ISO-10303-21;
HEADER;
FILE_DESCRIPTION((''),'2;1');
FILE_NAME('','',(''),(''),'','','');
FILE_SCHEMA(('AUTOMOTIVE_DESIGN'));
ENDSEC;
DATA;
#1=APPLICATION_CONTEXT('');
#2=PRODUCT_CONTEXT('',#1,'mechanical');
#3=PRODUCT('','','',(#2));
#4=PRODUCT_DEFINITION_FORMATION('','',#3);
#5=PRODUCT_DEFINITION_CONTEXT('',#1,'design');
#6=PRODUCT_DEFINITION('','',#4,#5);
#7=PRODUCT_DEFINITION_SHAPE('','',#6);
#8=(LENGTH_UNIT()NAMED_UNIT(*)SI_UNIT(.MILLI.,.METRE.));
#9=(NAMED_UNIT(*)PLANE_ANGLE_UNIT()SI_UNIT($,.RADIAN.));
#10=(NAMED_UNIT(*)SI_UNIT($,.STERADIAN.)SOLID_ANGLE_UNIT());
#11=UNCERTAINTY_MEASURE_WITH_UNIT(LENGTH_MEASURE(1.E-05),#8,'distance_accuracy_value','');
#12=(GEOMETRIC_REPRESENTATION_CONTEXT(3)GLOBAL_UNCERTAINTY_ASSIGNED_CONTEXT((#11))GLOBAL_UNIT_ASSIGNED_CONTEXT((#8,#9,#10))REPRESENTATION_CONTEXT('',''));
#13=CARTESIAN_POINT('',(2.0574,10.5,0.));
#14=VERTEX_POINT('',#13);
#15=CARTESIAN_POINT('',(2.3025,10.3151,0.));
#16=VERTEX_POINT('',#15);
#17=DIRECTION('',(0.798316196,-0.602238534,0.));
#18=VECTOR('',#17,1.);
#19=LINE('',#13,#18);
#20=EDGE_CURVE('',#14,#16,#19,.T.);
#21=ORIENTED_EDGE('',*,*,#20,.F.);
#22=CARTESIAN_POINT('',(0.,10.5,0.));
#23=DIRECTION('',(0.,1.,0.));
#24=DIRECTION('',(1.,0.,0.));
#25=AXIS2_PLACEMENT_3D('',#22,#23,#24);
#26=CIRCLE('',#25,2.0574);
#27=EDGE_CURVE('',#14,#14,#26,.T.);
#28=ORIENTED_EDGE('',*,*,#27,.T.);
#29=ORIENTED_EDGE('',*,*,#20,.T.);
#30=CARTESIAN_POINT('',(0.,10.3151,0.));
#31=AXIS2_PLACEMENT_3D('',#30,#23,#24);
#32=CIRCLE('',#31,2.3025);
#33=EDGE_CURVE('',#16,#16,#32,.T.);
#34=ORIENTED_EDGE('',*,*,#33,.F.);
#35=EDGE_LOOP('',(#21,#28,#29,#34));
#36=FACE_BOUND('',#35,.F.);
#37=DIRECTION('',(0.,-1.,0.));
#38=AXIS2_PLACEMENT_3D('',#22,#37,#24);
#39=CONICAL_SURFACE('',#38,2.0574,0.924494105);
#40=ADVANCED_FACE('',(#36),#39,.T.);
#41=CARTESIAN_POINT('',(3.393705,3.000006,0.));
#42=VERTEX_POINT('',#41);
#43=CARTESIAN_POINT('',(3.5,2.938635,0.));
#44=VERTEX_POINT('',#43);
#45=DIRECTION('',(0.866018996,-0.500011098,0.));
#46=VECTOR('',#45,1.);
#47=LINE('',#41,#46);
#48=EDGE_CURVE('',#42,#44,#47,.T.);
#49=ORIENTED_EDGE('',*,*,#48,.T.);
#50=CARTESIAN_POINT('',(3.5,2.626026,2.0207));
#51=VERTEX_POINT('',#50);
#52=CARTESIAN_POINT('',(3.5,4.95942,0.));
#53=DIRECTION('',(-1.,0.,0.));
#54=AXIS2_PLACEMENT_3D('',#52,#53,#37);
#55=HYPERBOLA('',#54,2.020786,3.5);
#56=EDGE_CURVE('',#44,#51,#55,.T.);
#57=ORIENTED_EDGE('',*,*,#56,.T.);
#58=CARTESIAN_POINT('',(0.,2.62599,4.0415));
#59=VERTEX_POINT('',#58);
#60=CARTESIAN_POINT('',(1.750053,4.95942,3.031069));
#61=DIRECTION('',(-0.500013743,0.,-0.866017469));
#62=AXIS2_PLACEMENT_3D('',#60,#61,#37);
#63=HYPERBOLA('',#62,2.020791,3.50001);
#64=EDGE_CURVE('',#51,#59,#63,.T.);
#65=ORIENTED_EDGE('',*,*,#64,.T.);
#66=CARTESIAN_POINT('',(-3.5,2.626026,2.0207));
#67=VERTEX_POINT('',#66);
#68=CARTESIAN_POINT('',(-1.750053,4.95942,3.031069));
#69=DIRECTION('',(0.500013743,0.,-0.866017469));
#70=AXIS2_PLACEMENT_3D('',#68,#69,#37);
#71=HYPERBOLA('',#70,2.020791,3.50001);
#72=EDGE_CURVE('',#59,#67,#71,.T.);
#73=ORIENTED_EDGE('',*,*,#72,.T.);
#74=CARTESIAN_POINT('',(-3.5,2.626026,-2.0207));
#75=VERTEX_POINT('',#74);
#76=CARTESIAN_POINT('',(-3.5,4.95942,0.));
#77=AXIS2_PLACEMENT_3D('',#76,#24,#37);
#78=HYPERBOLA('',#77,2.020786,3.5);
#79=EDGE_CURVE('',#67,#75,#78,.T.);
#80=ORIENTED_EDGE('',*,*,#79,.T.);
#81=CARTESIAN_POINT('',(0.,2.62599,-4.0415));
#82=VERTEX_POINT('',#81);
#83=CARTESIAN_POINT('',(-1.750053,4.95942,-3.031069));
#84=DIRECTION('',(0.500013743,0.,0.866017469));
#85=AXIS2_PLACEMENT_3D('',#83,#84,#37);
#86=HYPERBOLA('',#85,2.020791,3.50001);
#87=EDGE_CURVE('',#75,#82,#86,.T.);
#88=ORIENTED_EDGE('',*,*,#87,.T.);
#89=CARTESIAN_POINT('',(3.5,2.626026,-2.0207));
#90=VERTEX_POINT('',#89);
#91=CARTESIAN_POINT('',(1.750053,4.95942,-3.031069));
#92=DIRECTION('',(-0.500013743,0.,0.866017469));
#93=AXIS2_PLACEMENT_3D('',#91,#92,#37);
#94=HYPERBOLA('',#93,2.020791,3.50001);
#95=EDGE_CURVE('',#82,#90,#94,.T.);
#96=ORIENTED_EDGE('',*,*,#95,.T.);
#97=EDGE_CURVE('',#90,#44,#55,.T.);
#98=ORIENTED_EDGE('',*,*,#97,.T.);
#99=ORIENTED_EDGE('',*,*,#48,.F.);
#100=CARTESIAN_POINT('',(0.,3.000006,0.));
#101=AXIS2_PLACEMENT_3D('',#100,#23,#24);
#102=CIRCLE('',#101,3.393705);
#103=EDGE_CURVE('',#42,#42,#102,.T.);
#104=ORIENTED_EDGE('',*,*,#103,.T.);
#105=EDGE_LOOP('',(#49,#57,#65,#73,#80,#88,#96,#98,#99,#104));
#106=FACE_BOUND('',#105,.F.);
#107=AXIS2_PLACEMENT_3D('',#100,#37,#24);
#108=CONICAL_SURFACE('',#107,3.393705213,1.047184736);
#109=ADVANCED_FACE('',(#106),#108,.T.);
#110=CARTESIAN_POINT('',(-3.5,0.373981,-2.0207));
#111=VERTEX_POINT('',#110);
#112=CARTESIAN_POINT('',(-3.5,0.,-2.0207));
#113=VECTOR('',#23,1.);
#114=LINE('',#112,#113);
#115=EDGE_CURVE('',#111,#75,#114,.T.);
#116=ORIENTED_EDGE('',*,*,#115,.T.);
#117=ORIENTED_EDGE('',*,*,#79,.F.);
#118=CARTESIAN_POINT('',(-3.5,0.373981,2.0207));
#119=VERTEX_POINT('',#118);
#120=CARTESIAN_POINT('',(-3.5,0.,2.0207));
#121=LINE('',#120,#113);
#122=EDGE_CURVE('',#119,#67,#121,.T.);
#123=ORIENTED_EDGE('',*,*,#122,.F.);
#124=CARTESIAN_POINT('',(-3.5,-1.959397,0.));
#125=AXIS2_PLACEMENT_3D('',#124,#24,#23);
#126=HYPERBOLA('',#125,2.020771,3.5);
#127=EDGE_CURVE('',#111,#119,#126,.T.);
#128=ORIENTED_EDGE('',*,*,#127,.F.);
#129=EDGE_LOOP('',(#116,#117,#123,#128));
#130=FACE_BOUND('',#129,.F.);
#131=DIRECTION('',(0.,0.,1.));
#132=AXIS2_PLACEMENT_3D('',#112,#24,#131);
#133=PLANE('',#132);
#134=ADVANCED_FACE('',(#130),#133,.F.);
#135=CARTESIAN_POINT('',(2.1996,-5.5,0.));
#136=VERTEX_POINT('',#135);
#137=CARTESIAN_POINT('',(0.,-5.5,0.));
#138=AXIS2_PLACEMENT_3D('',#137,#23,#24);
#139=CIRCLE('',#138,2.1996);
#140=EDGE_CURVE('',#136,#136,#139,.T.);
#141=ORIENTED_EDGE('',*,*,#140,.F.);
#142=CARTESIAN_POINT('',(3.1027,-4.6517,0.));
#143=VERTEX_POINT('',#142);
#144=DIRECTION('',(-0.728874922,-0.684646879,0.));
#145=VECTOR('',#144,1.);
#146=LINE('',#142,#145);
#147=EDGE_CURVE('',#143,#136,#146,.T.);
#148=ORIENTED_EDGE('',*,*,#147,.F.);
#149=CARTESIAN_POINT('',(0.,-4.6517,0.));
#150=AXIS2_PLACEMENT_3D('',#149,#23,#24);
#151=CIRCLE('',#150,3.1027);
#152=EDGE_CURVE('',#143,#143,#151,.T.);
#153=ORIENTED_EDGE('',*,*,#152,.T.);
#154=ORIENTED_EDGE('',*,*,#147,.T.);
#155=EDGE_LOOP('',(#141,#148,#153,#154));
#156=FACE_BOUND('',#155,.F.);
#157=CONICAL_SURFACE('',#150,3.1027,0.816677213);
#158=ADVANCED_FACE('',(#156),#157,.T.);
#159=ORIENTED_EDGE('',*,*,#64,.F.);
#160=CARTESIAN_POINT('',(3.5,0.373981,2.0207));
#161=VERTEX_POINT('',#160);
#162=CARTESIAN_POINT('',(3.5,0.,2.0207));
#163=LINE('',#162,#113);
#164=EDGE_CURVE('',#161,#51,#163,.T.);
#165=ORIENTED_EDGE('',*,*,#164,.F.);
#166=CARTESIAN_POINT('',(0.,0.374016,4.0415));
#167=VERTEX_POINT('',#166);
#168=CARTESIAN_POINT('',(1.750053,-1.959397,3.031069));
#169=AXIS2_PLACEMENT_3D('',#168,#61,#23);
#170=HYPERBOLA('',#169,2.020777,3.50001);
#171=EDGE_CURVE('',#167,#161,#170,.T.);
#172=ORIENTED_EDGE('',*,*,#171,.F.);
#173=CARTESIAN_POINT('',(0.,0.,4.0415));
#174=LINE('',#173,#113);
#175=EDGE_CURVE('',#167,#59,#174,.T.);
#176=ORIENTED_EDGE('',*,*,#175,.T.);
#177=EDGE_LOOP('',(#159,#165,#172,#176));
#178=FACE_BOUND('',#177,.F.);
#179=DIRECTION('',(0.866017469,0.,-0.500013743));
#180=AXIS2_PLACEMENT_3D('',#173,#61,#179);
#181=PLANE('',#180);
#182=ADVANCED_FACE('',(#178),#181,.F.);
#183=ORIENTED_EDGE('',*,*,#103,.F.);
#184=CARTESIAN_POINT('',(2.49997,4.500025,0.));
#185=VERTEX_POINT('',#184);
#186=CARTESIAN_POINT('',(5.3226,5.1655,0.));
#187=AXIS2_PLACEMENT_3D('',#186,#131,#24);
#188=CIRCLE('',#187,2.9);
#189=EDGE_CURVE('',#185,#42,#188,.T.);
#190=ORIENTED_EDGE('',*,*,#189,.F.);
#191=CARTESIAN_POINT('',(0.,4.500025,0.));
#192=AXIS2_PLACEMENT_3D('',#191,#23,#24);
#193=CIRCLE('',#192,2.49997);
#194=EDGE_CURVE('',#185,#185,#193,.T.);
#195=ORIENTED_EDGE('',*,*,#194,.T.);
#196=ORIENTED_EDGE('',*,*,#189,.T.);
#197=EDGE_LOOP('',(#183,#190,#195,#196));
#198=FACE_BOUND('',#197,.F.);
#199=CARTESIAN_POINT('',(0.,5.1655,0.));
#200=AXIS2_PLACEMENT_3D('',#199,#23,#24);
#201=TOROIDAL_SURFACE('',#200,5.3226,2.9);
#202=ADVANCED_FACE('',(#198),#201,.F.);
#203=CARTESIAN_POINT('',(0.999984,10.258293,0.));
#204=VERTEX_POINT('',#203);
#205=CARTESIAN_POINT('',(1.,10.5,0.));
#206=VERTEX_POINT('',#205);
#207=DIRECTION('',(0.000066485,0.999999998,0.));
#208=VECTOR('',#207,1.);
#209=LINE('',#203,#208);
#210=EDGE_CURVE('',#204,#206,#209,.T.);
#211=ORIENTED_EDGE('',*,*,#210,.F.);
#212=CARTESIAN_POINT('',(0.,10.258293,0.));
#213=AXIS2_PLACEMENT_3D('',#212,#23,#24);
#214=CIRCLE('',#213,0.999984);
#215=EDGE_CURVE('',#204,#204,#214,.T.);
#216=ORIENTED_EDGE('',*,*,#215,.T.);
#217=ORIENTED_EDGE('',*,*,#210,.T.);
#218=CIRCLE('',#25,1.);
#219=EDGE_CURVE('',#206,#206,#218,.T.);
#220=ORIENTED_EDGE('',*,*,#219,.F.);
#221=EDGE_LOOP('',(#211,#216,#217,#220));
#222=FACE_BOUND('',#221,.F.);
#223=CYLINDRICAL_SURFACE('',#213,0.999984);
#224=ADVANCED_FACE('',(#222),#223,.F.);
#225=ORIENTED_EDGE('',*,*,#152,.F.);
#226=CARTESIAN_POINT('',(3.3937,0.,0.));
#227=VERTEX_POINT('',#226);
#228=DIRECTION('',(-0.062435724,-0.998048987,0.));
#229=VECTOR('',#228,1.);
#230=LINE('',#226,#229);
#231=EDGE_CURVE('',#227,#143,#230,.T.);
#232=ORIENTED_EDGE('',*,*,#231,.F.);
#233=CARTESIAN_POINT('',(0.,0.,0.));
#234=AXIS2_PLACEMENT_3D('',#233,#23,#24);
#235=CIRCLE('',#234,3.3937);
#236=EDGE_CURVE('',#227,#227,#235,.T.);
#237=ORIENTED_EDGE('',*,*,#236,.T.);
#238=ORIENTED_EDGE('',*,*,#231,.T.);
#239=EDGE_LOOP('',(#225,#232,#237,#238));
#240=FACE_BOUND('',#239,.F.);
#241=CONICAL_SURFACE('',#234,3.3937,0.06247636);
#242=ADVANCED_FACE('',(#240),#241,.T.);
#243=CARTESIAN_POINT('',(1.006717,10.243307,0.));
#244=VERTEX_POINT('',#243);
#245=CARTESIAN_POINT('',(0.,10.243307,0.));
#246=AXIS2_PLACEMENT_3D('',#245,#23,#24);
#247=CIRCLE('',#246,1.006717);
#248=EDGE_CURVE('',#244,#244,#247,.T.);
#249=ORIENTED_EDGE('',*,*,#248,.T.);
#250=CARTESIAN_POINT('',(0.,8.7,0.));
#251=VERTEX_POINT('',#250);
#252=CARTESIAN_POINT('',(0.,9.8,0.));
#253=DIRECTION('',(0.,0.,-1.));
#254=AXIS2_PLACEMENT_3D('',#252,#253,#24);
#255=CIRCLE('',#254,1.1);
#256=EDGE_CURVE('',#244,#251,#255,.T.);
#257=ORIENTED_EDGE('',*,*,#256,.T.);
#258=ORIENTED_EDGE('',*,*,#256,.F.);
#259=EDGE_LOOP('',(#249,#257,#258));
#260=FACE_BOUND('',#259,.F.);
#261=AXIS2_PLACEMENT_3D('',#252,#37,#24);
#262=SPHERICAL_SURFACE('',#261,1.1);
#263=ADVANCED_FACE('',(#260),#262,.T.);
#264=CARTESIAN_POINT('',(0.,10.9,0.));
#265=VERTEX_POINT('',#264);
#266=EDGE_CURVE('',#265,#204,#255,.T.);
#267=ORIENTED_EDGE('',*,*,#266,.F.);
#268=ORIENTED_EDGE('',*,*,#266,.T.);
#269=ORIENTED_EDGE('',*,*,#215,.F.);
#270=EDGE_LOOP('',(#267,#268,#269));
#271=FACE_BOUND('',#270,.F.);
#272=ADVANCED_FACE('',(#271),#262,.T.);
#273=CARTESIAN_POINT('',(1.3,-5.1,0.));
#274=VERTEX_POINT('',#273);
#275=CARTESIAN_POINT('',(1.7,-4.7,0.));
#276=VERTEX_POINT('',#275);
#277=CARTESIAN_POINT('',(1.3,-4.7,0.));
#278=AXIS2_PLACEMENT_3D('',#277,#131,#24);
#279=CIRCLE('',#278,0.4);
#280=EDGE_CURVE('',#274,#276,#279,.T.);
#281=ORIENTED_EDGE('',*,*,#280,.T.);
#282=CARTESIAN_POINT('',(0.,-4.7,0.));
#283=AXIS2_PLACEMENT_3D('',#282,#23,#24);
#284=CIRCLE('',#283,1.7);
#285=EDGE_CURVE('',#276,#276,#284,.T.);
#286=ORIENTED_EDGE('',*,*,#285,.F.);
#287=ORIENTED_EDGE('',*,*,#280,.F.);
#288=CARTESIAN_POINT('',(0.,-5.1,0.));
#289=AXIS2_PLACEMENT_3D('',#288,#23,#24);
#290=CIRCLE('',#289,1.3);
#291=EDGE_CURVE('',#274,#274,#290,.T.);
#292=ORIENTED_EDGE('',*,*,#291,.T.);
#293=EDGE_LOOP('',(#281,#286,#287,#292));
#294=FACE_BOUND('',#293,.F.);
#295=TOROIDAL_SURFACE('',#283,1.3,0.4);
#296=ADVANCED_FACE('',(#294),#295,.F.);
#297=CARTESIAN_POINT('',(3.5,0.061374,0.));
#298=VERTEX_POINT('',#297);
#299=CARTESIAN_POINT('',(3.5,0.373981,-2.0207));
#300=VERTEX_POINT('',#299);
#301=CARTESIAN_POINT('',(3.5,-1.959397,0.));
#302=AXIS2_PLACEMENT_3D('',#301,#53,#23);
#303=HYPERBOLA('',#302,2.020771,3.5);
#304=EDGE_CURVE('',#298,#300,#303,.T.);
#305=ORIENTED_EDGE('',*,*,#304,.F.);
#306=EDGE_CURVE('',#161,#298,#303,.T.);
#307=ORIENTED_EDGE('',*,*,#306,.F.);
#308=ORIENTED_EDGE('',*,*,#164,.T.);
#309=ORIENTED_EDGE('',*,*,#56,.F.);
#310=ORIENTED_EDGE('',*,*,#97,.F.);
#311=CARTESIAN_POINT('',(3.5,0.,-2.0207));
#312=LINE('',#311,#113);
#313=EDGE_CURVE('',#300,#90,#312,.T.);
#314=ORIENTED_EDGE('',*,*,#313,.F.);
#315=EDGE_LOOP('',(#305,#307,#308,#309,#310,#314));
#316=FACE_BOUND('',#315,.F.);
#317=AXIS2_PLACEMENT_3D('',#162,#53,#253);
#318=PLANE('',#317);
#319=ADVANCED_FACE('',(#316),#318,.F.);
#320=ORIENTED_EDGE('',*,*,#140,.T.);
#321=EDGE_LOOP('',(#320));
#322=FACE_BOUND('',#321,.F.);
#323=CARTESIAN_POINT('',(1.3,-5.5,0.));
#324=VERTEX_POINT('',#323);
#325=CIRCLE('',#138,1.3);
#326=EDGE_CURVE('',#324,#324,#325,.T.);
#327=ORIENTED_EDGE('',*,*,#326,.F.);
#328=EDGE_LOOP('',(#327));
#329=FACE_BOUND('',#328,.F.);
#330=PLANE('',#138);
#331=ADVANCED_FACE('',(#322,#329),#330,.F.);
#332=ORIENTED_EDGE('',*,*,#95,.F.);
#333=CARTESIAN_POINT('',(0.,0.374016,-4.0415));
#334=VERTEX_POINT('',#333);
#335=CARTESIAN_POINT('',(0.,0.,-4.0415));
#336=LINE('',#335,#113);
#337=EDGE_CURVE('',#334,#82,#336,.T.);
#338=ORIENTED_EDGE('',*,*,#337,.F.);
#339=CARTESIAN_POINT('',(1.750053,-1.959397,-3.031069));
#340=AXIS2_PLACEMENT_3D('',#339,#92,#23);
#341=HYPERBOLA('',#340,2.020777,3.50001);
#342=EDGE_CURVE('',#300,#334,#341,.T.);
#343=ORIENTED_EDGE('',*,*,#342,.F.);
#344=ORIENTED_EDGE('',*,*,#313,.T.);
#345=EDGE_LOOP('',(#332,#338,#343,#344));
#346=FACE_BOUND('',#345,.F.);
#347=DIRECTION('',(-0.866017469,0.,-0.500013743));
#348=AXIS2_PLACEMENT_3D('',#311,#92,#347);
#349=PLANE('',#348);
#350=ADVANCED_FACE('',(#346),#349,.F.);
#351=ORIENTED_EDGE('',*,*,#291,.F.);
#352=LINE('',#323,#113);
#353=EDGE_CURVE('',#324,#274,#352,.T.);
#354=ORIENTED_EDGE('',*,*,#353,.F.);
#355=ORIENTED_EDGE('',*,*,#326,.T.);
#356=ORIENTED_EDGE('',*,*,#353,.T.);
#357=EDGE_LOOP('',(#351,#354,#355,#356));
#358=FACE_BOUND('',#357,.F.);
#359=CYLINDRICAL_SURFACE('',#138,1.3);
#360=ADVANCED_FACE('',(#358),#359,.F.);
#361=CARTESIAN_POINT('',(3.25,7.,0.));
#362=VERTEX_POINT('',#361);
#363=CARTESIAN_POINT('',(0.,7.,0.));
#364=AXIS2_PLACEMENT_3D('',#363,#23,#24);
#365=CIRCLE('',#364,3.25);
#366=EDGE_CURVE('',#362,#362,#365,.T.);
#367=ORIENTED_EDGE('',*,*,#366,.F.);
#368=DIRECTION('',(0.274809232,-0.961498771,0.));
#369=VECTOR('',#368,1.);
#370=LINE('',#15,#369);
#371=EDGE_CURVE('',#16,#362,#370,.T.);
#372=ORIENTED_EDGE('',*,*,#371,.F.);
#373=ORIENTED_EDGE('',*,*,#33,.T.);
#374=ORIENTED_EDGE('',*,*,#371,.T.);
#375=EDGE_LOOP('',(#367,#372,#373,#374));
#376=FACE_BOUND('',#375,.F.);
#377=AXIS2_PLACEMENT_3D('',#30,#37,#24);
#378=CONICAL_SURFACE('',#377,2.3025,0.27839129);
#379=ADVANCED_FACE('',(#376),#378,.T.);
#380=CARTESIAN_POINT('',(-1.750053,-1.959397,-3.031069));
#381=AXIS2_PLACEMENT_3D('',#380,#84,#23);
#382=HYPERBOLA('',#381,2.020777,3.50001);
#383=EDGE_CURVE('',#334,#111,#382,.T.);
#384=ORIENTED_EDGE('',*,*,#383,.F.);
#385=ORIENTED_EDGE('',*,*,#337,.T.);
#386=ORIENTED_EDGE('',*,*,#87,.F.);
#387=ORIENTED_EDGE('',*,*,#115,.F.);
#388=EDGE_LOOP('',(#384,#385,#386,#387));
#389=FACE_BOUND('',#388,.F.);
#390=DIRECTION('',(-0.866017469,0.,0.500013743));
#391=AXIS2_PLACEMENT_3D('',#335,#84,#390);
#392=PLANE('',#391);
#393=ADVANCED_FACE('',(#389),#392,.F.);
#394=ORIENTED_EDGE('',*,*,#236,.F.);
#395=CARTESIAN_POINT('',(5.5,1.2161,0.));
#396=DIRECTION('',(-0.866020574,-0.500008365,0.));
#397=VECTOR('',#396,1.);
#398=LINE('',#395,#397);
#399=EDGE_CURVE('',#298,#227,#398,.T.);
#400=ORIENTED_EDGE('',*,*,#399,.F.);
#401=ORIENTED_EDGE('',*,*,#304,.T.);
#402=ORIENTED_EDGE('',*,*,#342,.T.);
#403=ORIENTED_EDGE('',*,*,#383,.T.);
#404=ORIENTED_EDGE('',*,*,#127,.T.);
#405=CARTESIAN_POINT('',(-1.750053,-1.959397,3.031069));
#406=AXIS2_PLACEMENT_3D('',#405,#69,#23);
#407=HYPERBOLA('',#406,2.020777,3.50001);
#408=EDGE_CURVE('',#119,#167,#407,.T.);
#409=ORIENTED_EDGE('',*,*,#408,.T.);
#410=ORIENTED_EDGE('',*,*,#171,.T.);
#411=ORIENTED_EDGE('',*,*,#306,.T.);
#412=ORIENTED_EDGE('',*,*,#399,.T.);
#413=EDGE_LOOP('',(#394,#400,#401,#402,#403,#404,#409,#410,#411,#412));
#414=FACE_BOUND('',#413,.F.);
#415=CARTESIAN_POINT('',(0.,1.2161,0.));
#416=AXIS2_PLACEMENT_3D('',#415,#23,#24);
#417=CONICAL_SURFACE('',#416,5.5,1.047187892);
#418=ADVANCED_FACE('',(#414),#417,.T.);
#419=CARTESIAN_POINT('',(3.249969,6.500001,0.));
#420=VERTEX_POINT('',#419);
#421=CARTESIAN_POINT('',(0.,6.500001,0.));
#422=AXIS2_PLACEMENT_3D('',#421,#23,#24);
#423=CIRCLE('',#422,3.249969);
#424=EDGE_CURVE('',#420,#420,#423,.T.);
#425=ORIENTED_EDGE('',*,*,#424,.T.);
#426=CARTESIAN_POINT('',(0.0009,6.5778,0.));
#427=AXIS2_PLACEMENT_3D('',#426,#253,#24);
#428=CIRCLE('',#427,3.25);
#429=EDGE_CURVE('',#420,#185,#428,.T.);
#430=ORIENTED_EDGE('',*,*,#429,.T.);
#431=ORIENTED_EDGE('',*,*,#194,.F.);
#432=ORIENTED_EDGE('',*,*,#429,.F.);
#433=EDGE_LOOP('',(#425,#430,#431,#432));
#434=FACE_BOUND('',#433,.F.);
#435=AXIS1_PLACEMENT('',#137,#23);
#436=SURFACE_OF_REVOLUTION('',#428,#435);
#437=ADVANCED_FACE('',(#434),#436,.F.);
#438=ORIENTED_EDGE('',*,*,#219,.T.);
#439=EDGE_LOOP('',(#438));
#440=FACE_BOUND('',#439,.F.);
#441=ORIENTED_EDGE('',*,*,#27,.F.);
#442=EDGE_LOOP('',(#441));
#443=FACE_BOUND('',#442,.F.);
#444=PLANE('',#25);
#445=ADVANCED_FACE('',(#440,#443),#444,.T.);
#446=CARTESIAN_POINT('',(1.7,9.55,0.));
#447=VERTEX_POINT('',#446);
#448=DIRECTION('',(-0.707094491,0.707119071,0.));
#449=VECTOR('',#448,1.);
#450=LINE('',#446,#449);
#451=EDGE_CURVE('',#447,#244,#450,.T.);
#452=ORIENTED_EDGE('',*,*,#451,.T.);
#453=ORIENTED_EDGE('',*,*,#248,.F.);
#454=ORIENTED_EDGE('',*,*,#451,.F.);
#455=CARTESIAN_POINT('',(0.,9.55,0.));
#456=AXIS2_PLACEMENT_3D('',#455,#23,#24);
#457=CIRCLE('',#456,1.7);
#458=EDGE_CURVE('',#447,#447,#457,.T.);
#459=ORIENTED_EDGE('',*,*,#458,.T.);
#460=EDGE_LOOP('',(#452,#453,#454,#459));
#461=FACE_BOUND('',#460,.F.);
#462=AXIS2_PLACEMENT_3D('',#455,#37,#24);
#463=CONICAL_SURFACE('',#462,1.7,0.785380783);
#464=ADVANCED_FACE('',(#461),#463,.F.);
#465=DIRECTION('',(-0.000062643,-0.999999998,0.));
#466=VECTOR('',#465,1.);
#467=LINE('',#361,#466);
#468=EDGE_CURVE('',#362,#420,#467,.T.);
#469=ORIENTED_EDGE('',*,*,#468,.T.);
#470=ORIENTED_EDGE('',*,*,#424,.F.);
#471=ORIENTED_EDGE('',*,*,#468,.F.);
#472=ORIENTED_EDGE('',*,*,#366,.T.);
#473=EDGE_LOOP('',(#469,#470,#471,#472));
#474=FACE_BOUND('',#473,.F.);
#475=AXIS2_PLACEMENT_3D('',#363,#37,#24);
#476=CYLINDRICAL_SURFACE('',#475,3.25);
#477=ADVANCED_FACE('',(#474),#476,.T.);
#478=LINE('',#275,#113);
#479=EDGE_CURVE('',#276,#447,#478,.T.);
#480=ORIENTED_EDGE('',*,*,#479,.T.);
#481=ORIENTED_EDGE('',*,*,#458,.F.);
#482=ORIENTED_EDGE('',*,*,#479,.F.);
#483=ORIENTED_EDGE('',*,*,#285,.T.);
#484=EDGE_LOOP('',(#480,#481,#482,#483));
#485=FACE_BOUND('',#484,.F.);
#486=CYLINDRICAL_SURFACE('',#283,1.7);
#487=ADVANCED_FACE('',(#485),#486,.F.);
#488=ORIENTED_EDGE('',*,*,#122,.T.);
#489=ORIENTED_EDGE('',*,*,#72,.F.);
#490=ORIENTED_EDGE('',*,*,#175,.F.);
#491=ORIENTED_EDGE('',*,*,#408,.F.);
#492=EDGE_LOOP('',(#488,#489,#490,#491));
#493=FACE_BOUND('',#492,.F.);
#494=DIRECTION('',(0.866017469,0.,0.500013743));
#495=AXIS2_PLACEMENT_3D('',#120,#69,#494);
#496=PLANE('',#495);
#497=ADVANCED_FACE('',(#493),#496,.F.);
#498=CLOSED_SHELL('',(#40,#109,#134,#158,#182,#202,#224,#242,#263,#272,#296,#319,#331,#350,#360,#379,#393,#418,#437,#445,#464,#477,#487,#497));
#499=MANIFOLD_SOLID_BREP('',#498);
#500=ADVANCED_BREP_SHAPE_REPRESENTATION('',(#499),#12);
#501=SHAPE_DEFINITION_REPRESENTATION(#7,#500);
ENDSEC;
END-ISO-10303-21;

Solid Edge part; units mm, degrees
sketch "Sketch1" plane through (0, 0, 0) normal (0, 0, 1) x (1, 0, 0)
  arc A0 (0, 10.9) -> (1, 10.2583) centre (0, 9.8) cw
  line L0 (1, 10.2583) -> (1, 10.5)
  line L1 (1, 10.5) -> (2.0574, 10.5)
  line L2 (2.0574, 10.5) -> (2.3025, 10.3151)
  line L3 (2.3025, 10.3151) -> (3.25, 7)
  line L4 (3.25, 7) -> (3.25, 6.5)
  arc A1 (3.25, 6.5) -> (2.5, 4.5) centre (0.0009, 6.5778) cw
  arc A2 (2.5, 4.5) -> (3.3937, 3) centre (5.3226, 5.1655) ccw
  line L5 (3.3937, 3) -> (5.5, 1.7839)
  line L6 (5.5, 1.7839) -> (5.5, 1.2161)
  line L7 (5.5, 1.2161) -> (3.3937, 0)
  line L8 (3.3937, 0) -> (3.1027, -4.6517)
  line L9 (3.1027, -4.6517) -> (2.1996, -5.5)
  line L10 (2.1996, -5.5) -> (1.3, -5.5)
  line L11 (1.3, -5.5) -> (1.3, -5.1)
  arc A3 (1.3, -5.1) -> (1.7, -4.7) centre (1.3, -4.7) ccw
  line L12 (1.7, -4.7) -> (1.7, 9.55)
  line L13 (1.7, 9.55) -> (1.0067, 10.2433)
  arc A4 (1.0067, 10.2433) -> (0, 8.7) centre (0, 9.8) cw
  line L14 (0, 8.7) -> (0, 10.9)
revolve "RevolvedProtrusion1" add sketch "Sketch1" angle 360 about axis through (0, -5.5, 0) along (0, 1, 0)
sketch "Sketch2" plane through (0, 0, 0) normal (0, -1, 0) x (1, 0, 0)
  line L0 (-6, -6) -> (-6, 6)
  line L1 (-6, 6) -> (6, 6)
  line L2 (6, 6) -> (6, -6)
  line L3 (6, -6) -> (-6, -6)
  line L4 (-3.5, 2.0207) -> (0, 4.0415)
  line L5 (0, 4.0415) -> (3.5, 2.0207)
  line L6 (3.5, 2.0207) -> (3.5, -2.0207)
  line L7 (3.5, -2.0207) -> (0, -4.0415)
  line L8 (0, -4.0415) -> (-3.5, -2.0207)
  line L9 (-3.5, -2.0207) -> (-3.5, 2.0207)
extrude "Cutout1" cut sketch "Sketch2" against normal blind 3
properties part number "1/4-28 SAE-LT"
